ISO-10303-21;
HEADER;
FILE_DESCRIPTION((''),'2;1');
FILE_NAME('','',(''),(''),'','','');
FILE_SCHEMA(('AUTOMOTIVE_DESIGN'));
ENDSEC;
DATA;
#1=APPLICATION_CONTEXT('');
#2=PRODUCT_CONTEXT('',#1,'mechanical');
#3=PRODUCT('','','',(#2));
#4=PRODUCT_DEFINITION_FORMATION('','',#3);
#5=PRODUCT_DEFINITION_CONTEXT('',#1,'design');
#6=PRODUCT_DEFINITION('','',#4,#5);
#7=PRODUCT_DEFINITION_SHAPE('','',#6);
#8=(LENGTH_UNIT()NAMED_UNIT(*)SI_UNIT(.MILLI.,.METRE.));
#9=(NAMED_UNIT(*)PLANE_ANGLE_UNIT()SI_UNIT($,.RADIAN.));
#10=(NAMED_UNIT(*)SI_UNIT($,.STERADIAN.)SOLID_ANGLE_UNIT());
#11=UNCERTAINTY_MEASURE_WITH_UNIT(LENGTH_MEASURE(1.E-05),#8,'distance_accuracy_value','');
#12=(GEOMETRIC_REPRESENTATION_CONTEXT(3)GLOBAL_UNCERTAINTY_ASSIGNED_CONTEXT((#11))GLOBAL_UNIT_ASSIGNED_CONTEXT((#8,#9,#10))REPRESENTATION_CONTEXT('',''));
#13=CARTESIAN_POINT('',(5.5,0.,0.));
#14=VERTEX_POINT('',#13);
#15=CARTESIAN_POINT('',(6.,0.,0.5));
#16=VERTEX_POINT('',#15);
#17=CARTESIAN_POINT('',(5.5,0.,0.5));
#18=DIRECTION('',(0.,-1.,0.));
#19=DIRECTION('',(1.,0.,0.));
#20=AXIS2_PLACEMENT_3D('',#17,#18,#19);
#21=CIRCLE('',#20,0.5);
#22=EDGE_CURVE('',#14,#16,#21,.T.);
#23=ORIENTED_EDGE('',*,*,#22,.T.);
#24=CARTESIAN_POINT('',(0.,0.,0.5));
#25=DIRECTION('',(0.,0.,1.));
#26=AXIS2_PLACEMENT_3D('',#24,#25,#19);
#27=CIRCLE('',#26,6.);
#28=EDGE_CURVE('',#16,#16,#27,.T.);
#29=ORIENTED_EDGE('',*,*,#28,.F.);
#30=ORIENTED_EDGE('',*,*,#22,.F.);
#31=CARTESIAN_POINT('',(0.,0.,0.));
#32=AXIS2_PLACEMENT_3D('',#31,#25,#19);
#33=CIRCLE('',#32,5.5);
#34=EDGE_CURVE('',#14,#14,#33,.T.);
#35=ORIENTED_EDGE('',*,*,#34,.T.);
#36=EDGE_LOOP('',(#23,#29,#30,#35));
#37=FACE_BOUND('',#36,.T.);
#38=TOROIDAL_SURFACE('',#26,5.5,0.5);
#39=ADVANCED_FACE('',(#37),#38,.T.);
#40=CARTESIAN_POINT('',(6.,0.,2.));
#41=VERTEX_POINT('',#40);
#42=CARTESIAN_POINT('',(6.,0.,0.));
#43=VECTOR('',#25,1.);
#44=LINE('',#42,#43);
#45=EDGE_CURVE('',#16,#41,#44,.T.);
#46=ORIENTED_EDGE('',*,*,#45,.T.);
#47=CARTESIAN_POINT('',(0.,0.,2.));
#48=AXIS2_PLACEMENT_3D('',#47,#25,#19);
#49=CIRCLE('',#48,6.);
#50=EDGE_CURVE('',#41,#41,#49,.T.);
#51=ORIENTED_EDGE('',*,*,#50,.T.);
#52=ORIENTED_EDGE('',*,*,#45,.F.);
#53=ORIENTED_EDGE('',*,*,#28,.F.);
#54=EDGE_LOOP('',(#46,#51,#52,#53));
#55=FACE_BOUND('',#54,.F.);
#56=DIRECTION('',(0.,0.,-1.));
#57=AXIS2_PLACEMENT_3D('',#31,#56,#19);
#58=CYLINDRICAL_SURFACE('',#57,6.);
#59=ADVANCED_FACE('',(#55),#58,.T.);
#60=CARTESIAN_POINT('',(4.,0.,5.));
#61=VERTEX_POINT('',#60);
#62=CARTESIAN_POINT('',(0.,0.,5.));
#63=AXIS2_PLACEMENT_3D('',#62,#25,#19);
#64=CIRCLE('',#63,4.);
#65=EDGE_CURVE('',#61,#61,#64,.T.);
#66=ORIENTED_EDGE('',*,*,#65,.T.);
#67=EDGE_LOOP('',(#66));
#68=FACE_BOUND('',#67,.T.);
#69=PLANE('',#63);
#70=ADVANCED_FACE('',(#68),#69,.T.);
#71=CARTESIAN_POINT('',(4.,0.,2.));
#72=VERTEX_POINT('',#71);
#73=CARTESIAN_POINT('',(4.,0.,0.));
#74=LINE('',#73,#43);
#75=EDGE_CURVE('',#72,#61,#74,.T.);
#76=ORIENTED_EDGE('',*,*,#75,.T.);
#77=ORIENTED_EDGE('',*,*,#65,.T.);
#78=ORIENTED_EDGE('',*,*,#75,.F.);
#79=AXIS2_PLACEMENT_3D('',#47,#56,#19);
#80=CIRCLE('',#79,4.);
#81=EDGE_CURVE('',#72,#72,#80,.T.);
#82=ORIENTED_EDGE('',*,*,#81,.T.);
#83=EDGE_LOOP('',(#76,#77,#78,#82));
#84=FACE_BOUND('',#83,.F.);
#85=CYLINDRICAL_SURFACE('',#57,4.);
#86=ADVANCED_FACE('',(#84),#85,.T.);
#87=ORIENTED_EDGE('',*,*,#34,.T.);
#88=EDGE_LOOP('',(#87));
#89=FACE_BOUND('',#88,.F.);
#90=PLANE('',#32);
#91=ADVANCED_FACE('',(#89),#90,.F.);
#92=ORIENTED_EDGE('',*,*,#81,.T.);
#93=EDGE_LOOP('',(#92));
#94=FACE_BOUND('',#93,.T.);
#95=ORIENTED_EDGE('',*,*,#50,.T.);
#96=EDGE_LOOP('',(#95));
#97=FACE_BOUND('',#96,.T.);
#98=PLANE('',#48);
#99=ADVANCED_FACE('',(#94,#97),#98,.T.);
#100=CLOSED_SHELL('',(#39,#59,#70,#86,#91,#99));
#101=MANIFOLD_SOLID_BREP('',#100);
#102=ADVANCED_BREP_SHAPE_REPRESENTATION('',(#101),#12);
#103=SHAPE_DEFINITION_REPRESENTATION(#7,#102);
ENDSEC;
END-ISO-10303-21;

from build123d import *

# Parameters (mm, degrees)
F0_R     = 6
F1_DEPTH = 2
F2_R     = 4
F3_DEPTH = 5
F4_R     = 0.5


with BuildPart() as f1:
    # F0 (on Top) → F1 (new body)
    with BuildSketch(Plane.XY):
        Circle(F0_R)
    extrude(amount=F1_DEPTH)

    # F2 (on Top) → F3 (join)
    with BuildSketch(Plane.XY):
        Circle(F2_R)
    extrude(amount=F3_DEPTH)

    # F4
    f4_edges = [f1.edges().sort_by_distance(p)[0] for p in [
        (-6, 0, 0),
    ]]
    fillet(f4_edges, radius=F4_R)


solid = f1.part
